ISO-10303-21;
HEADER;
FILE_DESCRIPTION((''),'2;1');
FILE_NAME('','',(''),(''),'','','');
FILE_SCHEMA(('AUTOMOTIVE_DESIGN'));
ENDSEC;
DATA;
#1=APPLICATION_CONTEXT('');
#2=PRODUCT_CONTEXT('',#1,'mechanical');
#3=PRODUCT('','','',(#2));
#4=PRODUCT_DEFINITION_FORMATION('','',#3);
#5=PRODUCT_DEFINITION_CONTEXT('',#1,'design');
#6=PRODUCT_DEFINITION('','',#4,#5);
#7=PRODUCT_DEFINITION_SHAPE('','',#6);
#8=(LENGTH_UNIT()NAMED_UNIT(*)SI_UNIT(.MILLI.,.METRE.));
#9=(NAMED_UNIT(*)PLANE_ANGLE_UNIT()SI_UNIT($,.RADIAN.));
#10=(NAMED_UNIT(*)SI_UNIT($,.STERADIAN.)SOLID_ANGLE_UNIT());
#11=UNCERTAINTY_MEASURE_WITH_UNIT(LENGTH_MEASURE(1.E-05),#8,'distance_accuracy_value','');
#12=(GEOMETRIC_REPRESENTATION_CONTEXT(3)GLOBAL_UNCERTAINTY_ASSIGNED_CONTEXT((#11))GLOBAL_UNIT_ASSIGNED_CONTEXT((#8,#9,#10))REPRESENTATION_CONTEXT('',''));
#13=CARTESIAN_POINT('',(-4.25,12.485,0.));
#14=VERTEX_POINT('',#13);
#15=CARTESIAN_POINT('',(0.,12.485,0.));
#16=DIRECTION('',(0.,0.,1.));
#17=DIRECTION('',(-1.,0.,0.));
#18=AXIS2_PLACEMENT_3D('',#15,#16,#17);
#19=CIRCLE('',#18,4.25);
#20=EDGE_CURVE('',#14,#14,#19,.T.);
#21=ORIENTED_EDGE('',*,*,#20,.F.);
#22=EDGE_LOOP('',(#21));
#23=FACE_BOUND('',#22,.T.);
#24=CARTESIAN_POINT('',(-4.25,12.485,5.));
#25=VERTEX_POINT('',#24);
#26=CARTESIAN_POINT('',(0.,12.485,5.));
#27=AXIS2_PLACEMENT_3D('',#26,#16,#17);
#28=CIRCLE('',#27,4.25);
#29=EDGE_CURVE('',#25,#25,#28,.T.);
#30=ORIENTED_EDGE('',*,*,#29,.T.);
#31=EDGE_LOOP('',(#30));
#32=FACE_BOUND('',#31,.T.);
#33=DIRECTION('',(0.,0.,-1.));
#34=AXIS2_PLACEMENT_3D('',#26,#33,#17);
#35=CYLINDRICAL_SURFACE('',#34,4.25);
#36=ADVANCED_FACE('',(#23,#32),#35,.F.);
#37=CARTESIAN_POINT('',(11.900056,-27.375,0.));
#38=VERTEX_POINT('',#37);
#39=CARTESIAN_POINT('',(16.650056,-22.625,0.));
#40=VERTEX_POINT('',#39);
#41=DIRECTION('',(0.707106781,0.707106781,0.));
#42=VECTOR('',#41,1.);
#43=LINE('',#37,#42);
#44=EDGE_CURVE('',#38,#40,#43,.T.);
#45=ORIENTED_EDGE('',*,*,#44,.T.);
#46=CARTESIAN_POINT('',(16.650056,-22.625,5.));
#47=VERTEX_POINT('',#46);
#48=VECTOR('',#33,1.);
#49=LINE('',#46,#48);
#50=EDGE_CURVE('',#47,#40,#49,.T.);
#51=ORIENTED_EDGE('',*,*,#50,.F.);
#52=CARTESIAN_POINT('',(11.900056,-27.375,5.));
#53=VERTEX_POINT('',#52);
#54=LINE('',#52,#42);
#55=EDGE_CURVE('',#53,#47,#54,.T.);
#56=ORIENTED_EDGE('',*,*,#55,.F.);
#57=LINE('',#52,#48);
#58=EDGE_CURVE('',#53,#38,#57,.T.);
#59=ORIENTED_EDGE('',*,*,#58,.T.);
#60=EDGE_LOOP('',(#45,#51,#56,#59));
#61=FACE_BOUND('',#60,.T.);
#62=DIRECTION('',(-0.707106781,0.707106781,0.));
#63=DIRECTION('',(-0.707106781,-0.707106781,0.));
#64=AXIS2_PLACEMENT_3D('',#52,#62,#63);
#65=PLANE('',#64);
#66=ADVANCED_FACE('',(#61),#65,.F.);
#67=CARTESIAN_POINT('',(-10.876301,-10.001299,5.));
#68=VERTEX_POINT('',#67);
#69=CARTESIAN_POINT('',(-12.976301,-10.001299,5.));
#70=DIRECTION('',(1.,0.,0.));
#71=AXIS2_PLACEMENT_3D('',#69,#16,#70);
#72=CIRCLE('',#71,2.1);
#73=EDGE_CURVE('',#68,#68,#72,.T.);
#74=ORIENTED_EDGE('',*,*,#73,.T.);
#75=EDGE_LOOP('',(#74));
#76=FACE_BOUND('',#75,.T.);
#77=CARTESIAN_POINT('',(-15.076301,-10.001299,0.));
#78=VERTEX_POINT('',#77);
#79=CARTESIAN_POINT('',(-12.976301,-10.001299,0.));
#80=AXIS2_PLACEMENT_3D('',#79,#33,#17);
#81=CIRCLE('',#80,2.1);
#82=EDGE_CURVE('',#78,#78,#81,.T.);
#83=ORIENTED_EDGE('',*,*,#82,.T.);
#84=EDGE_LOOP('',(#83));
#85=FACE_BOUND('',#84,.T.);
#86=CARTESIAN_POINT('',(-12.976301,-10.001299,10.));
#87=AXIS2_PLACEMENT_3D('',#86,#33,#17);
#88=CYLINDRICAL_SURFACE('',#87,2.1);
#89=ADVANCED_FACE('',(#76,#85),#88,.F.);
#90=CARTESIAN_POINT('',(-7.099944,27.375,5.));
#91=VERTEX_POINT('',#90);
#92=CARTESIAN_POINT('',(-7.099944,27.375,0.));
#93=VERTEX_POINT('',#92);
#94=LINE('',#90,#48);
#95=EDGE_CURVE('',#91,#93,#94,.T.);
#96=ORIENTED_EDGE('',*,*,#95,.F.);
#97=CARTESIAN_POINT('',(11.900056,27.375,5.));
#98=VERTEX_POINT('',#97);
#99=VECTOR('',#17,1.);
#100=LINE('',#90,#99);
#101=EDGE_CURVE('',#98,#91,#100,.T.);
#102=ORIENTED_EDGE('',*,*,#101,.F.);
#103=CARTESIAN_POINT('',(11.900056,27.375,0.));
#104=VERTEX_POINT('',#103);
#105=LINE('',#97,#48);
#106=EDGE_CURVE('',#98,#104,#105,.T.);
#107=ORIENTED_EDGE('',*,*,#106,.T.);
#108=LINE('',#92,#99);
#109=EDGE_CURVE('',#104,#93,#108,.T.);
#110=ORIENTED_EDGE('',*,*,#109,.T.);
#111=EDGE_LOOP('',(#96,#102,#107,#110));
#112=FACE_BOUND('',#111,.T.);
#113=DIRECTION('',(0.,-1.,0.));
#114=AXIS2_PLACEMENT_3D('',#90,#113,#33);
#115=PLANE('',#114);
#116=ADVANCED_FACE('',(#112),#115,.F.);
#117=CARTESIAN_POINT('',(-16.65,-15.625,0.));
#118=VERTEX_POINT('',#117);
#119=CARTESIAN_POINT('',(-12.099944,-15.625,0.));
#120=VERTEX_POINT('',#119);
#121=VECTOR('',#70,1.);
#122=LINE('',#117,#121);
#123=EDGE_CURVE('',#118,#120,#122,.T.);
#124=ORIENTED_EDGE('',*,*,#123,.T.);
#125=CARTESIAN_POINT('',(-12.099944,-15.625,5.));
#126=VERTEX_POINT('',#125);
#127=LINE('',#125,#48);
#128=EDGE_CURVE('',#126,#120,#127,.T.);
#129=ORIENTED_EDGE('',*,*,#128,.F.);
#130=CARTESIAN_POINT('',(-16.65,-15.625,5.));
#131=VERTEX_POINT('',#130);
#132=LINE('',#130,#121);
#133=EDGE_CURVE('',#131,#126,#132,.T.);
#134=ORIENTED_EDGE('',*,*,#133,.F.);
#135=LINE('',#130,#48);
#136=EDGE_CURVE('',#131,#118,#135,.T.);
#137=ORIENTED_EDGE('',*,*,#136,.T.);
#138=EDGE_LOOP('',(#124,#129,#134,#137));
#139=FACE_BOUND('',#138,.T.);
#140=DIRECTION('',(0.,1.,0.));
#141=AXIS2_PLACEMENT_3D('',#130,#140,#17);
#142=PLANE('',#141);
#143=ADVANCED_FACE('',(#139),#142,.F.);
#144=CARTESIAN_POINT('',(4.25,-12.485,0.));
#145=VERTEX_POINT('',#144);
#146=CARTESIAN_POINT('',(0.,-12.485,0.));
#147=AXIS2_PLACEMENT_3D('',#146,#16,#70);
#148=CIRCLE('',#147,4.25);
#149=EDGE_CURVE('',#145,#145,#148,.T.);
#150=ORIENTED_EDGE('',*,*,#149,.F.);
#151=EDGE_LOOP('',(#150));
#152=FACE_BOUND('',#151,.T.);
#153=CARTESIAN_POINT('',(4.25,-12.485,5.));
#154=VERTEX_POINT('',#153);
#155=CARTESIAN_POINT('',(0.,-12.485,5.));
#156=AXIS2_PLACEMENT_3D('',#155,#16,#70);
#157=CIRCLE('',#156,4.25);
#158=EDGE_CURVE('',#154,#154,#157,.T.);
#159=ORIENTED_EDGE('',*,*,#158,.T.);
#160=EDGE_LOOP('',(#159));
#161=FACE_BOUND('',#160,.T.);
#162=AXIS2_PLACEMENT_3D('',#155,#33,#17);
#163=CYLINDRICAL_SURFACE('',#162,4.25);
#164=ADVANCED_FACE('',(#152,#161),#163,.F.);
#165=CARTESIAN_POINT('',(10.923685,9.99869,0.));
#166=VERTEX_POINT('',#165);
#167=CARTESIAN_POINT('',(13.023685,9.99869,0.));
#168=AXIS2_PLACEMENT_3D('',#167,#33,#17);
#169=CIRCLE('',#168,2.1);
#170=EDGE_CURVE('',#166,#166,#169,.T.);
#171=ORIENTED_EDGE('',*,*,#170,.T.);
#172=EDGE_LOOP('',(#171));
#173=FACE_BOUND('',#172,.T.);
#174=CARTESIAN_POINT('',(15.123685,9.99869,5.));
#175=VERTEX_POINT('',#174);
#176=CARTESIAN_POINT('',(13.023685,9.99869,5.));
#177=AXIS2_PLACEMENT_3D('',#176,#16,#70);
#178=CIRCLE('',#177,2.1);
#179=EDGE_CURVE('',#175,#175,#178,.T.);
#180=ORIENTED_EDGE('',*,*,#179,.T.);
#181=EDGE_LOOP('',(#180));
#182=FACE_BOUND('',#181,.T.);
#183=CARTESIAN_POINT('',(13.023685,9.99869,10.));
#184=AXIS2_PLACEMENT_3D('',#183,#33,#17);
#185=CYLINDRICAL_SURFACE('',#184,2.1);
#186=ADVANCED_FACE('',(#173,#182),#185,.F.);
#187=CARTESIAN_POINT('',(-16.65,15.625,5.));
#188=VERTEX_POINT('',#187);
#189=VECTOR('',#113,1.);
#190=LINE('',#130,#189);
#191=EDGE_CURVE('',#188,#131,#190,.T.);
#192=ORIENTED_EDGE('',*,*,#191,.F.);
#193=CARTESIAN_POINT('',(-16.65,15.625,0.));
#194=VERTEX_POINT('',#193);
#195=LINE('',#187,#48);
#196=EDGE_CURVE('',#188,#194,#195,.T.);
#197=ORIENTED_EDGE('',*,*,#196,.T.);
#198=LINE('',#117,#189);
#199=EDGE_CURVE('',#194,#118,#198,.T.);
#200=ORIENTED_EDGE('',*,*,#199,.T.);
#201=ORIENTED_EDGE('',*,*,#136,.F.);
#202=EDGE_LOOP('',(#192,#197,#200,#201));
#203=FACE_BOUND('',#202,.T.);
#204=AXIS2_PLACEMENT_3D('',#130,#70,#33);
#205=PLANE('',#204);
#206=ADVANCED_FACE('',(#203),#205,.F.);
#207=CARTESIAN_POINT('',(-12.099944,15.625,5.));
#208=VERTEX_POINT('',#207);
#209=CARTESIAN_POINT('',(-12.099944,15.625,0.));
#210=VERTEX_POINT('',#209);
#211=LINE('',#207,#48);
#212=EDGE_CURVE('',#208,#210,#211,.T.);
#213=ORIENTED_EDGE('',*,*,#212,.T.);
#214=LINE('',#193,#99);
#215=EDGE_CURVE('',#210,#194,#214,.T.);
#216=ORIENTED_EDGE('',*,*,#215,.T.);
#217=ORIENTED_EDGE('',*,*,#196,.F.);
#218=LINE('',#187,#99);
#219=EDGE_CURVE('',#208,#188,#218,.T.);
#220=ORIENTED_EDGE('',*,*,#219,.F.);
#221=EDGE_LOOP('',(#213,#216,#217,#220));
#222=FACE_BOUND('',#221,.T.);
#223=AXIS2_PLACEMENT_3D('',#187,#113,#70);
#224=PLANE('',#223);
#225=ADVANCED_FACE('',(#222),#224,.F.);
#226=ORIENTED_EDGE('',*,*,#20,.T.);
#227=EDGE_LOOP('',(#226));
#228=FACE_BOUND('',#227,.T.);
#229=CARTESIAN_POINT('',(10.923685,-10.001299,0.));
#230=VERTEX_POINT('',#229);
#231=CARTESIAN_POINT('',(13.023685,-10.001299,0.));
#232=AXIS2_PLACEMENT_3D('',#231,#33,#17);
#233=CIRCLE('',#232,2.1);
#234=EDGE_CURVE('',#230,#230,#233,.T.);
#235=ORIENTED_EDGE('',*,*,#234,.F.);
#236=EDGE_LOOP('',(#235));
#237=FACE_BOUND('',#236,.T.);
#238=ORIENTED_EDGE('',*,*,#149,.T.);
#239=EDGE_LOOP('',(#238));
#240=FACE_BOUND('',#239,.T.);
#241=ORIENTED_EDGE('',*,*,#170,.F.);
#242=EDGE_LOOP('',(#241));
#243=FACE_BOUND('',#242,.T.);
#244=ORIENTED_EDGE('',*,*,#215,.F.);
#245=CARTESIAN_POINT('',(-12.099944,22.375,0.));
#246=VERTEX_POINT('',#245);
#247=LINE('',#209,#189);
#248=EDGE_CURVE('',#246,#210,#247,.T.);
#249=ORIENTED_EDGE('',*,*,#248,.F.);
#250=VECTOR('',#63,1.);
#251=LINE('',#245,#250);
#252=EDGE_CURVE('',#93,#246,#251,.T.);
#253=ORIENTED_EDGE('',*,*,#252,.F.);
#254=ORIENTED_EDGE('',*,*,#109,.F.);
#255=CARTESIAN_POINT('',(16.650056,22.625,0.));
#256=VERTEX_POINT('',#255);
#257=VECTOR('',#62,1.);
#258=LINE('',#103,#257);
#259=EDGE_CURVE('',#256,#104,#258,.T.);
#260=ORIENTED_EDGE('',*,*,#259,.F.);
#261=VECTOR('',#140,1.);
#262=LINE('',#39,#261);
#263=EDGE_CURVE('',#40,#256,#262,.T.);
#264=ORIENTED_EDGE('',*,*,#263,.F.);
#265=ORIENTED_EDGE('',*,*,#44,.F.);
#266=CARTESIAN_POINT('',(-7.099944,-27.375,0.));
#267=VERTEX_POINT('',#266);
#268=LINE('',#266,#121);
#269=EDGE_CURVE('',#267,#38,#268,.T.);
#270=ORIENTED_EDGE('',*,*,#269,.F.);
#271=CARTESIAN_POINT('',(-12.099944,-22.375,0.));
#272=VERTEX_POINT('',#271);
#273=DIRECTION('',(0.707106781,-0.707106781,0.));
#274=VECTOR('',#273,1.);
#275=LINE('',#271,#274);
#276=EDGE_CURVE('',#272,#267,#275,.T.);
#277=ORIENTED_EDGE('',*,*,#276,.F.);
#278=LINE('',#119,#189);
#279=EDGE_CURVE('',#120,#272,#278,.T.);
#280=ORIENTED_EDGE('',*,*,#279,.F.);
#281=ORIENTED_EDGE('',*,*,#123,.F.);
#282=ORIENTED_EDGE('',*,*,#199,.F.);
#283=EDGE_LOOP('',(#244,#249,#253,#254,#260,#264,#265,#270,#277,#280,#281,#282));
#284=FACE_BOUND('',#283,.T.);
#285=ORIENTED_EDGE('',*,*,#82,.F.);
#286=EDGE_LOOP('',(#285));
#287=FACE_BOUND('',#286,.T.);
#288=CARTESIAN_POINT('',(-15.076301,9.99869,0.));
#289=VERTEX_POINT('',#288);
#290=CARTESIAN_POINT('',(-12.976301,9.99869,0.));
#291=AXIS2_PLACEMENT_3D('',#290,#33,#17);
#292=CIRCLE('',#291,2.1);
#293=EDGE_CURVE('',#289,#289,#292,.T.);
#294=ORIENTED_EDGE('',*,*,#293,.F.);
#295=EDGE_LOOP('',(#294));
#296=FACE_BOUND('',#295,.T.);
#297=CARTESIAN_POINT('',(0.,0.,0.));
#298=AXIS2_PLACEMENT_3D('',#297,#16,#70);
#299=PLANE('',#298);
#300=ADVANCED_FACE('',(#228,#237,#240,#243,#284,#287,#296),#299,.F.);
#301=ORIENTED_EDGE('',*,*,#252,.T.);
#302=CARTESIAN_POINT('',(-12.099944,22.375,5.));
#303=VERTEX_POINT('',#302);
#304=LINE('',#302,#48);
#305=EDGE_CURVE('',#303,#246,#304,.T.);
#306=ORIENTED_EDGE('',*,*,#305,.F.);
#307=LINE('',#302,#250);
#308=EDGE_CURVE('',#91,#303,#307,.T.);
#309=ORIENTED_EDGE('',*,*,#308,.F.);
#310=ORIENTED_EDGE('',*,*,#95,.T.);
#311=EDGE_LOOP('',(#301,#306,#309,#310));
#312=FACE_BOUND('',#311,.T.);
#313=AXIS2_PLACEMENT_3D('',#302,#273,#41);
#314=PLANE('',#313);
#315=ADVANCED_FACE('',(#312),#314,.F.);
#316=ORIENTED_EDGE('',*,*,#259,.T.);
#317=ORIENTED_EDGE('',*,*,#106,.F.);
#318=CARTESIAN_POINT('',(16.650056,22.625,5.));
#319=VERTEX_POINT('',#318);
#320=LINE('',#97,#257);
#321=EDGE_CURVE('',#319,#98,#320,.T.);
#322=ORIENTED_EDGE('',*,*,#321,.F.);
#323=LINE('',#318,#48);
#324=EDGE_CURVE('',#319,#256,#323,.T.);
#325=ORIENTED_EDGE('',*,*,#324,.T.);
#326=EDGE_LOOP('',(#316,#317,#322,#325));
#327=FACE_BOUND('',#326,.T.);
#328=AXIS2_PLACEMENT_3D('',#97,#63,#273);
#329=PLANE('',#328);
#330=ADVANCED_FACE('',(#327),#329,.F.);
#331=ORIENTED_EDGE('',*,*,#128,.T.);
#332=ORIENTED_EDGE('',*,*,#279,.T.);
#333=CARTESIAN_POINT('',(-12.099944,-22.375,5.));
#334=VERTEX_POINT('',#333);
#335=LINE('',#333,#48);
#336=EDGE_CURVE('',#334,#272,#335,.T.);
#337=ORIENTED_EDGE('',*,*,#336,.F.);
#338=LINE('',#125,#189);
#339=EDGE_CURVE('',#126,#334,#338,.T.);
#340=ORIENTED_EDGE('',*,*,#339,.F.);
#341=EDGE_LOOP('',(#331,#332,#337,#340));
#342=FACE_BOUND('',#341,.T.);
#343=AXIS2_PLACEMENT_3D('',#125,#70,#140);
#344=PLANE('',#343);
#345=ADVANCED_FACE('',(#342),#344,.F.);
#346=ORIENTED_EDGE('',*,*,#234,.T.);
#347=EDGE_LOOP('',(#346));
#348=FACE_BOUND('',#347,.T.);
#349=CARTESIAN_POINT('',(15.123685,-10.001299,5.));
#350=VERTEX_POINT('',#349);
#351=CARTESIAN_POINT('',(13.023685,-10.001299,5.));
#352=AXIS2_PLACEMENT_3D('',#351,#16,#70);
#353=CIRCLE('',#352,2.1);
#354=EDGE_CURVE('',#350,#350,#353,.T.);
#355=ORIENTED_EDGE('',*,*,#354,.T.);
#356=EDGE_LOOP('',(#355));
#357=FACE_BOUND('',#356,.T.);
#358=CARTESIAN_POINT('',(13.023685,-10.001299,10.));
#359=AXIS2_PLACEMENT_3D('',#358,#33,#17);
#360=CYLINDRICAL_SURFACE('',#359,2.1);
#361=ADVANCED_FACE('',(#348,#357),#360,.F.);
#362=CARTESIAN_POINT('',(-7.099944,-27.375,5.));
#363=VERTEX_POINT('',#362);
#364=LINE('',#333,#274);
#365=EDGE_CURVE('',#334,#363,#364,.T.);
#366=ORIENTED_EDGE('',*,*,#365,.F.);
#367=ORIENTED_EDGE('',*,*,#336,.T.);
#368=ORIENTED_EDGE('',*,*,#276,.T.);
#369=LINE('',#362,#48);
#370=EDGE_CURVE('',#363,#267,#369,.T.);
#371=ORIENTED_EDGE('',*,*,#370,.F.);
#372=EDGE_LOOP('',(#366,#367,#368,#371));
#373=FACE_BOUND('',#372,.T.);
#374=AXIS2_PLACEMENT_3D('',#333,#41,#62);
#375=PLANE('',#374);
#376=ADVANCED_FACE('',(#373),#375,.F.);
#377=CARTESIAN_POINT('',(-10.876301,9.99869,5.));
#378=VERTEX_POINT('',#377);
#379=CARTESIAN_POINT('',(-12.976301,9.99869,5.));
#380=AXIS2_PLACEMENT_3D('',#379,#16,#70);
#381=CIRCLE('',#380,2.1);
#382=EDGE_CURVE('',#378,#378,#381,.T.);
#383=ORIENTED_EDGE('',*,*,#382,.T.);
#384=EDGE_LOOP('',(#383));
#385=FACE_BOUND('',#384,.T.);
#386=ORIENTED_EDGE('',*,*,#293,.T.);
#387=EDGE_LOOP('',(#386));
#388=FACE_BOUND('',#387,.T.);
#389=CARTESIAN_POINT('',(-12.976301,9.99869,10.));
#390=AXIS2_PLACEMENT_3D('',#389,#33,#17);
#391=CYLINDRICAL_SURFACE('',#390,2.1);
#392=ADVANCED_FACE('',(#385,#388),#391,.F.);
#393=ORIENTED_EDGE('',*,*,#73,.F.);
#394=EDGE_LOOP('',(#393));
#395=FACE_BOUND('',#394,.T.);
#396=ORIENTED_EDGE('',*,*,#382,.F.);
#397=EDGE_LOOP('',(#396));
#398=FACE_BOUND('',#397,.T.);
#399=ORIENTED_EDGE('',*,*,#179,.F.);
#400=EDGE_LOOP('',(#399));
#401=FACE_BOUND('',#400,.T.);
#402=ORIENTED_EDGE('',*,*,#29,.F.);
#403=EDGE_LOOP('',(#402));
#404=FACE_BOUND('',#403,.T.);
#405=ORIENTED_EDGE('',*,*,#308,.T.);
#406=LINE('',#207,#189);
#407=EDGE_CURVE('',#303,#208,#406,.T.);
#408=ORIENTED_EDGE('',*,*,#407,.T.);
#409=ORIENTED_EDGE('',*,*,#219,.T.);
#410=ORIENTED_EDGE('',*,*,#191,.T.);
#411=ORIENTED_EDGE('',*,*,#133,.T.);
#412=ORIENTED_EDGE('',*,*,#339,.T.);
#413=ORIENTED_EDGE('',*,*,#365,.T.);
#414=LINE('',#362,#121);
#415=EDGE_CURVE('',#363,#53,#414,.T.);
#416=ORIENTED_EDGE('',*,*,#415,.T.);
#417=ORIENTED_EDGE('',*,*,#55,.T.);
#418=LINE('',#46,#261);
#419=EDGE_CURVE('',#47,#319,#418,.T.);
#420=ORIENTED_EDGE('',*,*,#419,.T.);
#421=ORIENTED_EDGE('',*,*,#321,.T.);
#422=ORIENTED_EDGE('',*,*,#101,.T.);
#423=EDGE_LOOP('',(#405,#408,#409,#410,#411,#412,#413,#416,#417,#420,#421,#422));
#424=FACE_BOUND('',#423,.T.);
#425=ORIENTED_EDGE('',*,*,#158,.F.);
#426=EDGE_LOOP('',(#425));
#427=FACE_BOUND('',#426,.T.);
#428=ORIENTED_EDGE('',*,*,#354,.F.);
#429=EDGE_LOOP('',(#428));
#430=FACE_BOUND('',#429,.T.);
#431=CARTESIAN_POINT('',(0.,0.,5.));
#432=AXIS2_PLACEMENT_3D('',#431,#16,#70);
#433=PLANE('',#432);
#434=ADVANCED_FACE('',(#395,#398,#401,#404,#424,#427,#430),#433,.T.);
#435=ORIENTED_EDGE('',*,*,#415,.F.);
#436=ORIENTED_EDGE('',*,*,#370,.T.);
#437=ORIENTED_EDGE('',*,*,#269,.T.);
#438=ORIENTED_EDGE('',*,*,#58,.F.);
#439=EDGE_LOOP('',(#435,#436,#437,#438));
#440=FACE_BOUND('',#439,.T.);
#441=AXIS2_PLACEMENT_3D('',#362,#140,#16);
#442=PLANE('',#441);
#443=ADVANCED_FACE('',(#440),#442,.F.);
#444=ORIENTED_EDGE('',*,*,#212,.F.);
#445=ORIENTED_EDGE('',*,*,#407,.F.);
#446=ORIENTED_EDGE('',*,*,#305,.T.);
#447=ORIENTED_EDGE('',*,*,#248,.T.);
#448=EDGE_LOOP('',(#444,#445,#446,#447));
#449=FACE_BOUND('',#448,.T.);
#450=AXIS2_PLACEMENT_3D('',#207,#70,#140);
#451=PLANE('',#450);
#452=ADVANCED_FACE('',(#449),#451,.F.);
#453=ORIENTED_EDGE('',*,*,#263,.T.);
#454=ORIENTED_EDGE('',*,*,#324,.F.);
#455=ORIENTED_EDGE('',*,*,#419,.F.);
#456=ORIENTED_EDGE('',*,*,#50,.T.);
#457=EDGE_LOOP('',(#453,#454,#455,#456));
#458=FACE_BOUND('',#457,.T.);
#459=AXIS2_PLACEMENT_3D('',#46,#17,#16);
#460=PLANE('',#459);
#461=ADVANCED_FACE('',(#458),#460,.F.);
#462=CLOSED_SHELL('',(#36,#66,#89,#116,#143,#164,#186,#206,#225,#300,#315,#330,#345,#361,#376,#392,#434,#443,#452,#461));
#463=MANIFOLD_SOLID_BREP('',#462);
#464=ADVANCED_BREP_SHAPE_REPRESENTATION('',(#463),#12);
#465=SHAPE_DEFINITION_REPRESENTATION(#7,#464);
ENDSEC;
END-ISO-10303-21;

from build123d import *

# Parameters (mm, degrees)
SKETCH1_R           = 4.25
BOSS_EXTRUDE1_DEPTH = 5
SKETCH2_R           = 2.1
CUT_EXTRUDE1_DEPTH  = 10


with BuildPart() as part:
    # Sketch1 → Boss-Extrude1 (new body)
    with BuildSketch(Plane.XY):
        Polygon((11.900055679, -27.375), (16.650055679, -22.625), (16.650055679, 22.625), (11.900055679, 27.375), (-7.099944321, 27.375), (-12.099944321, 22.375), (-12.099944321, 15.625), (-16.65, 15.625), (-16.65, -15.625), (-12.099944321, -15.625), (-12.099944321, -22.375), (-7.099944321, -27.375), align=None)
        with Locations((0, -12.485)):
            Circle(SKETCH1_R, mode=Mode.SUBTRACT)
        with Locations(Location((0, 12.485, 0), (0, 0, 180))):
            Circle(SKETCH1_R, mode=Mode.SUBTRACT)
    extrude(amount=BOSS_EXTRUDE1_DEPTH)

    # Sketch2 → Cut-Extrude1 (cut)
    with BuildSketch(Plane(origin=(0, 0, 0), x_dir=(-1, 0, 0), z_dir=(0, 0, -1))):
        with Locations((-13.023685007, -10.001298691)):
            Circle(SKETCH2_R)
        with Locations((-13.023685007, 9.998690221)):
            Circle(SKETCH2_R)
        with Locations((12.976300579, -10.001298691)):
            Circle(SKETCH2_R)
        with Locations((12.976300579, 9.998690221)):
            Circle(SKETCH2_R)
    extrude(amount=-CUT_EXTRUDE1_DEPTH, mode=Mode.SUBTRACT)


solid = part.part
